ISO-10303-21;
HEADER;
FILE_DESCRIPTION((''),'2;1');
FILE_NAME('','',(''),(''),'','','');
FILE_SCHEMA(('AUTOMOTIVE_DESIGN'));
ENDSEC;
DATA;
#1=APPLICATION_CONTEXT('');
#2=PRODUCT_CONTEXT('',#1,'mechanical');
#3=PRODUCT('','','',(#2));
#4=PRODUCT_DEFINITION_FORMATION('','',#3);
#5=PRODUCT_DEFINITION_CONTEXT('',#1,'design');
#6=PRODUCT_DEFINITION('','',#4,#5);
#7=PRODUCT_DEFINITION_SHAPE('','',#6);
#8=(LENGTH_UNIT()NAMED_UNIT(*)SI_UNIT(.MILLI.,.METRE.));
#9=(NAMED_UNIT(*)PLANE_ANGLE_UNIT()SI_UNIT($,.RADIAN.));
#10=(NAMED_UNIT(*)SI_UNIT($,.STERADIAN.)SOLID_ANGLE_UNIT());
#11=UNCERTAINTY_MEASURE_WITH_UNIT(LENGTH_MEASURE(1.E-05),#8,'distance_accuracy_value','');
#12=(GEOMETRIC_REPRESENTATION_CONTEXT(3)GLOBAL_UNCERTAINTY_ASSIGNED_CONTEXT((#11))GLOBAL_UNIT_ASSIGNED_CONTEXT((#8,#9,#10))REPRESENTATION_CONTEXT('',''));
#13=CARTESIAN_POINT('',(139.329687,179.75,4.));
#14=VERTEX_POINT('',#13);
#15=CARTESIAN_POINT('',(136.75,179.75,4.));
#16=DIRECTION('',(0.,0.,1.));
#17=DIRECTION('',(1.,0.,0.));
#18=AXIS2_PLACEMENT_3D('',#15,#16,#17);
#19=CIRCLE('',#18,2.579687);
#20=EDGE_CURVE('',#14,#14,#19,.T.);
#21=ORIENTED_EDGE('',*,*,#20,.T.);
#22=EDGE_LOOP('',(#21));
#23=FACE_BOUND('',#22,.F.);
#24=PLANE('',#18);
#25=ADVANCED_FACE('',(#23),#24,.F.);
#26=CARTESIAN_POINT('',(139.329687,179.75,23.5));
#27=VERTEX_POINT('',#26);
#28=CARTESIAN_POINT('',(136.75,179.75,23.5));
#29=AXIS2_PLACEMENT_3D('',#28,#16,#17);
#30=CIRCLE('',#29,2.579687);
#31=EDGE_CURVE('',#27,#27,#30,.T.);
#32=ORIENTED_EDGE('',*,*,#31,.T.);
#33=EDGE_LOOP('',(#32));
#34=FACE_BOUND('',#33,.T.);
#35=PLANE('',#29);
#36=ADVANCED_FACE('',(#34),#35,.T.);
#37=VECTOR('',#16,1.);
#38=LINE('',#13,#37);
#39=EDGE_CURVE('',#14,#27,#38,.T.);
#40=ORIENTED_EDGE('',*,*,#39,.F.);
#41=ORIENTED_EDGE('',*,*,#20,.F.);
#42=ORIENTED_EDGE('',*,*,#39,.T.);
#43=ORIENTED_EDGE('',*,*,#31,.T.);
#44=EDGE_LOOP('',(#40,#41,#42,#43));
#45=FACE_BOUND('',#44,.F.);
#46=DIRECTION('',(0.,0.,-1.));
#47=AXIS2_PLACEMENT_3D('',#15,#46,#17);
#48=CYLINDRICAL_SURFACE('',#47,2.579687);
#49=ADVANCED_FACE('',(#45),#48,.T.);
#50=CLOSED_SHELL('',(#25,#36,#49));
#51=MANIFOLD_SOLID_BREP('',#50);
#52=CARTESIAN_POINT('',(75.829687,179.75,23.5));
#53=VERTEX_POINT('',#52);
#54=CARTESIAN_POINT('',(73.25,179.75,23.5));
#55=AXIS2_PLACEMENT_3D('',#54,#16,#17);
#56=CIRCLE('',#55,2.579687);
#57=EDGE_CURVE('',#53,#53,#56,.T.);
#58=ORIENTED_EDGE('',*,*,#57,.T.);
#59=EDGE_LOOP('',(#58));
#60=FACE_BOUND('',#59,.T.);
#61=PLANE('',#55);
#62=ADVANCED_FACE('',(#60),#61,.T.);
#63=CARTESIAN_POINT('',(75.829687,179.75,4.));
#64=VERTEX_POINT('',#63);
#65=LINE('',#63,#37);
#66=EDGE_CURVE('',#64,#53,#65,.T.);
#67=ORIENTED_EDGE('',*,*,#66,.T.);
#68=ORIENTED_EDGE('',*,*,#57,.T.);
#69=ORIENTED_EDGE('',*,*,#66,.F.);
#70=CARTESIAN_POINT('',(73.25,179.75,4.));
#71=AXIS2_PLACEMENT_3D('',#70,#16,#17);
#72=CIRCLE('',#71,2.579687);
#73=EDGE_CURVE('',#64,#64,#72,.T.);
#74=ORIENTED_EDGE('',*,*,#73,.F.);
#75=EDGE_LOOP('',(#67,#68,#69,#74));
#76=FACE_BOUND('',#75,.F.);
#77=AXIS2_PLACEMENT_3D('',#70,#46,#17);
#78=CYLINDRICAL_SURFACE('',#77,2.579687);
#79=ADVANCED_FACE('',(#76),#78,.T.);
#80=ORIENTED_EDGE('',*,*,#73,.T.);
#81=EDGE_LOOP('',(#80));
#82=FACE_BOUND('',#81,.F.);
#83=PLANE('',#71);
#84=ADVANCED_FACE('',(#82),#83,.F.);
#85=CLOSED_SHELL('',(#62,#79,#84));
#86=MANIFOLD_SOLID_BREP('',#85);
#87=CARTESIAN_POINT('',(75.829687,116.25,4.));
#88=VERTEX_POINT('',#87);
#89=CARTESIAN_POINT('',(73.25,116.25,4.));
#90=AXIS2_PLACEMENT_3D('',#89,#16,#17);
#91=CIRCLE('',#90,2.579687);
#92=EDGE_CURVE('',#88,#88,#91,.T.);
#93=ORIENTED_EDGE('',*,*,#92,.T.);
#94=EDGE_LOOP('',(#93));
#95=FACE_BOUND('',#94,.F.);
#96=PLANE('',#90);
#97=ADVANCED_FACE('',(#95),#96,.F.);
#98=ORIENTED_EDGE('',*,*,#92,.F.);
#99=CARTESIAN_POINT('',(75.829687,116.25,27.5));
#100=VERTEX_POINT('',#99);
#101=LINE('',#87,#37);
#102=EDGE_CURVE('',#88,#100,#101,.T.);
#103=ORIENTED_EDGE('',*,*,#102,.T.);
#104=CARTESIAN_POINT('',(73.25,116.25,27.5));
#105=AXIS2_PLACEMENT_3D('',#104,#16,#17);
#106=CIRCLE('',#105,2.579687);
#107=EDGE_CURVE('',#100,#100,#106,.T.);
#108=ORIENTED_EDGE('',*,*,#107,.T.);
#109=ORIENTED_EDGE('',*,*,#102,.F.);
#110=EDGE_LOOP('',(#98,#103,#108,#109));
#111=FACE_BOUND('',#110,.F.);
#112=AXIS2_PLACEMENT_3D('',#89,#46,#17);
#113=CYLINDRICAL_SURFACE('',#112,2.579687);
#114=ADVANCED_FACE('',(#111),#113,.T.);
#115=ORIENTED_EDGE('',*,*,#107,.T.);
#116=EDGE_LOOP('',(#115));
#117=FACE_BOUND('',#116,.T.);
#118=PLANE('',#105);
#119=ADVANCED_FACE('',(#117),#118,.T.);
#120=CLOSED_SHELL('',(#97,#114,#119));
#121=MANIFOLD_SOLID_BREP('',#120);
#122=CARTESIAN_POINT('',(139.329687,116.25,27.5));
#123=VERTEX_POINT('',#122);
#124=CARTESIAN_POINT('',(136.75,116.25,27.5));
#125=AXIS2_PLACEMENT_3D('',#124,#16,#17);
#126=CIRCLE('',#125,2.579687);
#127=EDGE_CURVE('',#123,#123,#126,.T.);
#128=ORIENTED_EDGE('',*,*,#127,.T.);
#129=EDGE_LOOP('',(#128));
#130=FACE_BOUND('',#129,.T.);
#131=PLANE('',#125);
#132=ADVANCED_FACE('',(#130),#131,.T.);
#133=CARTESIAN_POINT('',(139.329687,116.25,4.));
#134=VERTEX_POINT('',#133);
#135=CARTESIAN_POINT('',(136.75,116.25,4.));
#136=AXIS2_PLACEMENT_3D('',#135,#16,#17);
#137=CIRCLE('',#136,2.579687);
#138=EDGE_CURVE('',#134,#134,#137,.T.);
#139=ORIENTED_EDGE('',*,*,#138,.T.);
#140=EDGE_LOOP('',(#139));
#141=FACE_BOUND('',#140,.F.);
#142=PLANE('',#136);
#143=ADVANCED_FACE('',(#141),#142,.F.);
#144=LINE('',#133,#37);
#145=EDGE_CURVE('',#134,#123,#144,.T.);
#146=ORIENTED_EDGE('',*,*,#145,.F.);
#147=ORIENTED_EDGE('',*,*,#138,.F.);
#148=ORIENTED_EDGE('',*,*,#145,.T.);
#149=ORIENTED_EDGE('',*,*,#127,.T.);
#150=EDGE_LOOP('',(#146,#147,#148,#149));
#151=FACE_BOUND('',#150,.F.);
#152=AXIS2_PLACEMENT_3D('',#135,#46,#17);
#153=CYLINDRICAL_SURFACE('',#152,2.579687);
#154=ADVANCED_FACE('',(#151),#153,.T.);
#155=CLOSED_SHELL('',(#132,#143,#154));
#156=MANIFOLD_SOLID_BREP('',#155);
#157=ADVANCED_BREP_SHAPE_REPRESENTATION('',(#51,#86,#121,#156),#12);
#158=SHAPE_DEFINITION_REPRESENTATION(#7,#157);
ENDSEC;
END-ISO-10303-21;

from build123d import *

# Parameters (mm, degrees)
CYLINDER015_R     = 2.579687
CYLINDER015_DEPTH = 23.5
CYLINDER014_R     = 2.579687
CYLINDER014_DEPTH = 19.5
CYLINDER013_R     = 2.579687
CYLINDER013_DEPTH = 19.5
CYLINDER016_R     = 2.579687
CYLINDER016_DEPTH = 23.5


with BuildPart() as threaded003:
    # Cylinder015 → Cylinder015 (new body)
    with BuildSketch(Plane(origin=(73.25, 116.25, 4), x_dir=(1, 0, 0), z_dir=(0, 0, 1))):
        Circle(CYLINDER015_R)
    extrude(amount=CYLINDER015_DEPTH)


with BuildPart() as threaded002:
    # Cylinder014 → Cylinder014 (new body)
    with BuildSketch(Plane(origin=(73.25, 179.75, 4), x_dir=(1, 0, 0), z_dir=(0, 0, 1))):
        Circle(CYLINDER014_R)
    extrude(amount=CYLINDER014_DEPTH)


with BuildPart() as threaded001:
    # Cylinder013 → Cylinder013 (new body)
    with BuildSketch(Plane(origin=(136.75, 179.75, 4), x_dir=(1, 0, 0), z_dir=(0, 0, 1))):
        Circle(CYLINDER013_R)
    extrude(amount=CYLINDER013_DEPTH)


with BuildPart() as risers:
    # Cylinder016 → Cylinder016 (new body)
    with BuildSketch(Plane(origin=(136.75, 116.25, 4), x_dir=(1, 0, 0), z_dir=(0, 0, 1))):
        Circle(CYLINDER016_R)
    extrude(amount=CYLINDER016_DEPTH)

    # Fusion003: union Threaded003, Threaded002, Threaded001
    add(threaded003.part)
    add(threaded002.part)
    add(threaded001.part)


solid = risers.part
